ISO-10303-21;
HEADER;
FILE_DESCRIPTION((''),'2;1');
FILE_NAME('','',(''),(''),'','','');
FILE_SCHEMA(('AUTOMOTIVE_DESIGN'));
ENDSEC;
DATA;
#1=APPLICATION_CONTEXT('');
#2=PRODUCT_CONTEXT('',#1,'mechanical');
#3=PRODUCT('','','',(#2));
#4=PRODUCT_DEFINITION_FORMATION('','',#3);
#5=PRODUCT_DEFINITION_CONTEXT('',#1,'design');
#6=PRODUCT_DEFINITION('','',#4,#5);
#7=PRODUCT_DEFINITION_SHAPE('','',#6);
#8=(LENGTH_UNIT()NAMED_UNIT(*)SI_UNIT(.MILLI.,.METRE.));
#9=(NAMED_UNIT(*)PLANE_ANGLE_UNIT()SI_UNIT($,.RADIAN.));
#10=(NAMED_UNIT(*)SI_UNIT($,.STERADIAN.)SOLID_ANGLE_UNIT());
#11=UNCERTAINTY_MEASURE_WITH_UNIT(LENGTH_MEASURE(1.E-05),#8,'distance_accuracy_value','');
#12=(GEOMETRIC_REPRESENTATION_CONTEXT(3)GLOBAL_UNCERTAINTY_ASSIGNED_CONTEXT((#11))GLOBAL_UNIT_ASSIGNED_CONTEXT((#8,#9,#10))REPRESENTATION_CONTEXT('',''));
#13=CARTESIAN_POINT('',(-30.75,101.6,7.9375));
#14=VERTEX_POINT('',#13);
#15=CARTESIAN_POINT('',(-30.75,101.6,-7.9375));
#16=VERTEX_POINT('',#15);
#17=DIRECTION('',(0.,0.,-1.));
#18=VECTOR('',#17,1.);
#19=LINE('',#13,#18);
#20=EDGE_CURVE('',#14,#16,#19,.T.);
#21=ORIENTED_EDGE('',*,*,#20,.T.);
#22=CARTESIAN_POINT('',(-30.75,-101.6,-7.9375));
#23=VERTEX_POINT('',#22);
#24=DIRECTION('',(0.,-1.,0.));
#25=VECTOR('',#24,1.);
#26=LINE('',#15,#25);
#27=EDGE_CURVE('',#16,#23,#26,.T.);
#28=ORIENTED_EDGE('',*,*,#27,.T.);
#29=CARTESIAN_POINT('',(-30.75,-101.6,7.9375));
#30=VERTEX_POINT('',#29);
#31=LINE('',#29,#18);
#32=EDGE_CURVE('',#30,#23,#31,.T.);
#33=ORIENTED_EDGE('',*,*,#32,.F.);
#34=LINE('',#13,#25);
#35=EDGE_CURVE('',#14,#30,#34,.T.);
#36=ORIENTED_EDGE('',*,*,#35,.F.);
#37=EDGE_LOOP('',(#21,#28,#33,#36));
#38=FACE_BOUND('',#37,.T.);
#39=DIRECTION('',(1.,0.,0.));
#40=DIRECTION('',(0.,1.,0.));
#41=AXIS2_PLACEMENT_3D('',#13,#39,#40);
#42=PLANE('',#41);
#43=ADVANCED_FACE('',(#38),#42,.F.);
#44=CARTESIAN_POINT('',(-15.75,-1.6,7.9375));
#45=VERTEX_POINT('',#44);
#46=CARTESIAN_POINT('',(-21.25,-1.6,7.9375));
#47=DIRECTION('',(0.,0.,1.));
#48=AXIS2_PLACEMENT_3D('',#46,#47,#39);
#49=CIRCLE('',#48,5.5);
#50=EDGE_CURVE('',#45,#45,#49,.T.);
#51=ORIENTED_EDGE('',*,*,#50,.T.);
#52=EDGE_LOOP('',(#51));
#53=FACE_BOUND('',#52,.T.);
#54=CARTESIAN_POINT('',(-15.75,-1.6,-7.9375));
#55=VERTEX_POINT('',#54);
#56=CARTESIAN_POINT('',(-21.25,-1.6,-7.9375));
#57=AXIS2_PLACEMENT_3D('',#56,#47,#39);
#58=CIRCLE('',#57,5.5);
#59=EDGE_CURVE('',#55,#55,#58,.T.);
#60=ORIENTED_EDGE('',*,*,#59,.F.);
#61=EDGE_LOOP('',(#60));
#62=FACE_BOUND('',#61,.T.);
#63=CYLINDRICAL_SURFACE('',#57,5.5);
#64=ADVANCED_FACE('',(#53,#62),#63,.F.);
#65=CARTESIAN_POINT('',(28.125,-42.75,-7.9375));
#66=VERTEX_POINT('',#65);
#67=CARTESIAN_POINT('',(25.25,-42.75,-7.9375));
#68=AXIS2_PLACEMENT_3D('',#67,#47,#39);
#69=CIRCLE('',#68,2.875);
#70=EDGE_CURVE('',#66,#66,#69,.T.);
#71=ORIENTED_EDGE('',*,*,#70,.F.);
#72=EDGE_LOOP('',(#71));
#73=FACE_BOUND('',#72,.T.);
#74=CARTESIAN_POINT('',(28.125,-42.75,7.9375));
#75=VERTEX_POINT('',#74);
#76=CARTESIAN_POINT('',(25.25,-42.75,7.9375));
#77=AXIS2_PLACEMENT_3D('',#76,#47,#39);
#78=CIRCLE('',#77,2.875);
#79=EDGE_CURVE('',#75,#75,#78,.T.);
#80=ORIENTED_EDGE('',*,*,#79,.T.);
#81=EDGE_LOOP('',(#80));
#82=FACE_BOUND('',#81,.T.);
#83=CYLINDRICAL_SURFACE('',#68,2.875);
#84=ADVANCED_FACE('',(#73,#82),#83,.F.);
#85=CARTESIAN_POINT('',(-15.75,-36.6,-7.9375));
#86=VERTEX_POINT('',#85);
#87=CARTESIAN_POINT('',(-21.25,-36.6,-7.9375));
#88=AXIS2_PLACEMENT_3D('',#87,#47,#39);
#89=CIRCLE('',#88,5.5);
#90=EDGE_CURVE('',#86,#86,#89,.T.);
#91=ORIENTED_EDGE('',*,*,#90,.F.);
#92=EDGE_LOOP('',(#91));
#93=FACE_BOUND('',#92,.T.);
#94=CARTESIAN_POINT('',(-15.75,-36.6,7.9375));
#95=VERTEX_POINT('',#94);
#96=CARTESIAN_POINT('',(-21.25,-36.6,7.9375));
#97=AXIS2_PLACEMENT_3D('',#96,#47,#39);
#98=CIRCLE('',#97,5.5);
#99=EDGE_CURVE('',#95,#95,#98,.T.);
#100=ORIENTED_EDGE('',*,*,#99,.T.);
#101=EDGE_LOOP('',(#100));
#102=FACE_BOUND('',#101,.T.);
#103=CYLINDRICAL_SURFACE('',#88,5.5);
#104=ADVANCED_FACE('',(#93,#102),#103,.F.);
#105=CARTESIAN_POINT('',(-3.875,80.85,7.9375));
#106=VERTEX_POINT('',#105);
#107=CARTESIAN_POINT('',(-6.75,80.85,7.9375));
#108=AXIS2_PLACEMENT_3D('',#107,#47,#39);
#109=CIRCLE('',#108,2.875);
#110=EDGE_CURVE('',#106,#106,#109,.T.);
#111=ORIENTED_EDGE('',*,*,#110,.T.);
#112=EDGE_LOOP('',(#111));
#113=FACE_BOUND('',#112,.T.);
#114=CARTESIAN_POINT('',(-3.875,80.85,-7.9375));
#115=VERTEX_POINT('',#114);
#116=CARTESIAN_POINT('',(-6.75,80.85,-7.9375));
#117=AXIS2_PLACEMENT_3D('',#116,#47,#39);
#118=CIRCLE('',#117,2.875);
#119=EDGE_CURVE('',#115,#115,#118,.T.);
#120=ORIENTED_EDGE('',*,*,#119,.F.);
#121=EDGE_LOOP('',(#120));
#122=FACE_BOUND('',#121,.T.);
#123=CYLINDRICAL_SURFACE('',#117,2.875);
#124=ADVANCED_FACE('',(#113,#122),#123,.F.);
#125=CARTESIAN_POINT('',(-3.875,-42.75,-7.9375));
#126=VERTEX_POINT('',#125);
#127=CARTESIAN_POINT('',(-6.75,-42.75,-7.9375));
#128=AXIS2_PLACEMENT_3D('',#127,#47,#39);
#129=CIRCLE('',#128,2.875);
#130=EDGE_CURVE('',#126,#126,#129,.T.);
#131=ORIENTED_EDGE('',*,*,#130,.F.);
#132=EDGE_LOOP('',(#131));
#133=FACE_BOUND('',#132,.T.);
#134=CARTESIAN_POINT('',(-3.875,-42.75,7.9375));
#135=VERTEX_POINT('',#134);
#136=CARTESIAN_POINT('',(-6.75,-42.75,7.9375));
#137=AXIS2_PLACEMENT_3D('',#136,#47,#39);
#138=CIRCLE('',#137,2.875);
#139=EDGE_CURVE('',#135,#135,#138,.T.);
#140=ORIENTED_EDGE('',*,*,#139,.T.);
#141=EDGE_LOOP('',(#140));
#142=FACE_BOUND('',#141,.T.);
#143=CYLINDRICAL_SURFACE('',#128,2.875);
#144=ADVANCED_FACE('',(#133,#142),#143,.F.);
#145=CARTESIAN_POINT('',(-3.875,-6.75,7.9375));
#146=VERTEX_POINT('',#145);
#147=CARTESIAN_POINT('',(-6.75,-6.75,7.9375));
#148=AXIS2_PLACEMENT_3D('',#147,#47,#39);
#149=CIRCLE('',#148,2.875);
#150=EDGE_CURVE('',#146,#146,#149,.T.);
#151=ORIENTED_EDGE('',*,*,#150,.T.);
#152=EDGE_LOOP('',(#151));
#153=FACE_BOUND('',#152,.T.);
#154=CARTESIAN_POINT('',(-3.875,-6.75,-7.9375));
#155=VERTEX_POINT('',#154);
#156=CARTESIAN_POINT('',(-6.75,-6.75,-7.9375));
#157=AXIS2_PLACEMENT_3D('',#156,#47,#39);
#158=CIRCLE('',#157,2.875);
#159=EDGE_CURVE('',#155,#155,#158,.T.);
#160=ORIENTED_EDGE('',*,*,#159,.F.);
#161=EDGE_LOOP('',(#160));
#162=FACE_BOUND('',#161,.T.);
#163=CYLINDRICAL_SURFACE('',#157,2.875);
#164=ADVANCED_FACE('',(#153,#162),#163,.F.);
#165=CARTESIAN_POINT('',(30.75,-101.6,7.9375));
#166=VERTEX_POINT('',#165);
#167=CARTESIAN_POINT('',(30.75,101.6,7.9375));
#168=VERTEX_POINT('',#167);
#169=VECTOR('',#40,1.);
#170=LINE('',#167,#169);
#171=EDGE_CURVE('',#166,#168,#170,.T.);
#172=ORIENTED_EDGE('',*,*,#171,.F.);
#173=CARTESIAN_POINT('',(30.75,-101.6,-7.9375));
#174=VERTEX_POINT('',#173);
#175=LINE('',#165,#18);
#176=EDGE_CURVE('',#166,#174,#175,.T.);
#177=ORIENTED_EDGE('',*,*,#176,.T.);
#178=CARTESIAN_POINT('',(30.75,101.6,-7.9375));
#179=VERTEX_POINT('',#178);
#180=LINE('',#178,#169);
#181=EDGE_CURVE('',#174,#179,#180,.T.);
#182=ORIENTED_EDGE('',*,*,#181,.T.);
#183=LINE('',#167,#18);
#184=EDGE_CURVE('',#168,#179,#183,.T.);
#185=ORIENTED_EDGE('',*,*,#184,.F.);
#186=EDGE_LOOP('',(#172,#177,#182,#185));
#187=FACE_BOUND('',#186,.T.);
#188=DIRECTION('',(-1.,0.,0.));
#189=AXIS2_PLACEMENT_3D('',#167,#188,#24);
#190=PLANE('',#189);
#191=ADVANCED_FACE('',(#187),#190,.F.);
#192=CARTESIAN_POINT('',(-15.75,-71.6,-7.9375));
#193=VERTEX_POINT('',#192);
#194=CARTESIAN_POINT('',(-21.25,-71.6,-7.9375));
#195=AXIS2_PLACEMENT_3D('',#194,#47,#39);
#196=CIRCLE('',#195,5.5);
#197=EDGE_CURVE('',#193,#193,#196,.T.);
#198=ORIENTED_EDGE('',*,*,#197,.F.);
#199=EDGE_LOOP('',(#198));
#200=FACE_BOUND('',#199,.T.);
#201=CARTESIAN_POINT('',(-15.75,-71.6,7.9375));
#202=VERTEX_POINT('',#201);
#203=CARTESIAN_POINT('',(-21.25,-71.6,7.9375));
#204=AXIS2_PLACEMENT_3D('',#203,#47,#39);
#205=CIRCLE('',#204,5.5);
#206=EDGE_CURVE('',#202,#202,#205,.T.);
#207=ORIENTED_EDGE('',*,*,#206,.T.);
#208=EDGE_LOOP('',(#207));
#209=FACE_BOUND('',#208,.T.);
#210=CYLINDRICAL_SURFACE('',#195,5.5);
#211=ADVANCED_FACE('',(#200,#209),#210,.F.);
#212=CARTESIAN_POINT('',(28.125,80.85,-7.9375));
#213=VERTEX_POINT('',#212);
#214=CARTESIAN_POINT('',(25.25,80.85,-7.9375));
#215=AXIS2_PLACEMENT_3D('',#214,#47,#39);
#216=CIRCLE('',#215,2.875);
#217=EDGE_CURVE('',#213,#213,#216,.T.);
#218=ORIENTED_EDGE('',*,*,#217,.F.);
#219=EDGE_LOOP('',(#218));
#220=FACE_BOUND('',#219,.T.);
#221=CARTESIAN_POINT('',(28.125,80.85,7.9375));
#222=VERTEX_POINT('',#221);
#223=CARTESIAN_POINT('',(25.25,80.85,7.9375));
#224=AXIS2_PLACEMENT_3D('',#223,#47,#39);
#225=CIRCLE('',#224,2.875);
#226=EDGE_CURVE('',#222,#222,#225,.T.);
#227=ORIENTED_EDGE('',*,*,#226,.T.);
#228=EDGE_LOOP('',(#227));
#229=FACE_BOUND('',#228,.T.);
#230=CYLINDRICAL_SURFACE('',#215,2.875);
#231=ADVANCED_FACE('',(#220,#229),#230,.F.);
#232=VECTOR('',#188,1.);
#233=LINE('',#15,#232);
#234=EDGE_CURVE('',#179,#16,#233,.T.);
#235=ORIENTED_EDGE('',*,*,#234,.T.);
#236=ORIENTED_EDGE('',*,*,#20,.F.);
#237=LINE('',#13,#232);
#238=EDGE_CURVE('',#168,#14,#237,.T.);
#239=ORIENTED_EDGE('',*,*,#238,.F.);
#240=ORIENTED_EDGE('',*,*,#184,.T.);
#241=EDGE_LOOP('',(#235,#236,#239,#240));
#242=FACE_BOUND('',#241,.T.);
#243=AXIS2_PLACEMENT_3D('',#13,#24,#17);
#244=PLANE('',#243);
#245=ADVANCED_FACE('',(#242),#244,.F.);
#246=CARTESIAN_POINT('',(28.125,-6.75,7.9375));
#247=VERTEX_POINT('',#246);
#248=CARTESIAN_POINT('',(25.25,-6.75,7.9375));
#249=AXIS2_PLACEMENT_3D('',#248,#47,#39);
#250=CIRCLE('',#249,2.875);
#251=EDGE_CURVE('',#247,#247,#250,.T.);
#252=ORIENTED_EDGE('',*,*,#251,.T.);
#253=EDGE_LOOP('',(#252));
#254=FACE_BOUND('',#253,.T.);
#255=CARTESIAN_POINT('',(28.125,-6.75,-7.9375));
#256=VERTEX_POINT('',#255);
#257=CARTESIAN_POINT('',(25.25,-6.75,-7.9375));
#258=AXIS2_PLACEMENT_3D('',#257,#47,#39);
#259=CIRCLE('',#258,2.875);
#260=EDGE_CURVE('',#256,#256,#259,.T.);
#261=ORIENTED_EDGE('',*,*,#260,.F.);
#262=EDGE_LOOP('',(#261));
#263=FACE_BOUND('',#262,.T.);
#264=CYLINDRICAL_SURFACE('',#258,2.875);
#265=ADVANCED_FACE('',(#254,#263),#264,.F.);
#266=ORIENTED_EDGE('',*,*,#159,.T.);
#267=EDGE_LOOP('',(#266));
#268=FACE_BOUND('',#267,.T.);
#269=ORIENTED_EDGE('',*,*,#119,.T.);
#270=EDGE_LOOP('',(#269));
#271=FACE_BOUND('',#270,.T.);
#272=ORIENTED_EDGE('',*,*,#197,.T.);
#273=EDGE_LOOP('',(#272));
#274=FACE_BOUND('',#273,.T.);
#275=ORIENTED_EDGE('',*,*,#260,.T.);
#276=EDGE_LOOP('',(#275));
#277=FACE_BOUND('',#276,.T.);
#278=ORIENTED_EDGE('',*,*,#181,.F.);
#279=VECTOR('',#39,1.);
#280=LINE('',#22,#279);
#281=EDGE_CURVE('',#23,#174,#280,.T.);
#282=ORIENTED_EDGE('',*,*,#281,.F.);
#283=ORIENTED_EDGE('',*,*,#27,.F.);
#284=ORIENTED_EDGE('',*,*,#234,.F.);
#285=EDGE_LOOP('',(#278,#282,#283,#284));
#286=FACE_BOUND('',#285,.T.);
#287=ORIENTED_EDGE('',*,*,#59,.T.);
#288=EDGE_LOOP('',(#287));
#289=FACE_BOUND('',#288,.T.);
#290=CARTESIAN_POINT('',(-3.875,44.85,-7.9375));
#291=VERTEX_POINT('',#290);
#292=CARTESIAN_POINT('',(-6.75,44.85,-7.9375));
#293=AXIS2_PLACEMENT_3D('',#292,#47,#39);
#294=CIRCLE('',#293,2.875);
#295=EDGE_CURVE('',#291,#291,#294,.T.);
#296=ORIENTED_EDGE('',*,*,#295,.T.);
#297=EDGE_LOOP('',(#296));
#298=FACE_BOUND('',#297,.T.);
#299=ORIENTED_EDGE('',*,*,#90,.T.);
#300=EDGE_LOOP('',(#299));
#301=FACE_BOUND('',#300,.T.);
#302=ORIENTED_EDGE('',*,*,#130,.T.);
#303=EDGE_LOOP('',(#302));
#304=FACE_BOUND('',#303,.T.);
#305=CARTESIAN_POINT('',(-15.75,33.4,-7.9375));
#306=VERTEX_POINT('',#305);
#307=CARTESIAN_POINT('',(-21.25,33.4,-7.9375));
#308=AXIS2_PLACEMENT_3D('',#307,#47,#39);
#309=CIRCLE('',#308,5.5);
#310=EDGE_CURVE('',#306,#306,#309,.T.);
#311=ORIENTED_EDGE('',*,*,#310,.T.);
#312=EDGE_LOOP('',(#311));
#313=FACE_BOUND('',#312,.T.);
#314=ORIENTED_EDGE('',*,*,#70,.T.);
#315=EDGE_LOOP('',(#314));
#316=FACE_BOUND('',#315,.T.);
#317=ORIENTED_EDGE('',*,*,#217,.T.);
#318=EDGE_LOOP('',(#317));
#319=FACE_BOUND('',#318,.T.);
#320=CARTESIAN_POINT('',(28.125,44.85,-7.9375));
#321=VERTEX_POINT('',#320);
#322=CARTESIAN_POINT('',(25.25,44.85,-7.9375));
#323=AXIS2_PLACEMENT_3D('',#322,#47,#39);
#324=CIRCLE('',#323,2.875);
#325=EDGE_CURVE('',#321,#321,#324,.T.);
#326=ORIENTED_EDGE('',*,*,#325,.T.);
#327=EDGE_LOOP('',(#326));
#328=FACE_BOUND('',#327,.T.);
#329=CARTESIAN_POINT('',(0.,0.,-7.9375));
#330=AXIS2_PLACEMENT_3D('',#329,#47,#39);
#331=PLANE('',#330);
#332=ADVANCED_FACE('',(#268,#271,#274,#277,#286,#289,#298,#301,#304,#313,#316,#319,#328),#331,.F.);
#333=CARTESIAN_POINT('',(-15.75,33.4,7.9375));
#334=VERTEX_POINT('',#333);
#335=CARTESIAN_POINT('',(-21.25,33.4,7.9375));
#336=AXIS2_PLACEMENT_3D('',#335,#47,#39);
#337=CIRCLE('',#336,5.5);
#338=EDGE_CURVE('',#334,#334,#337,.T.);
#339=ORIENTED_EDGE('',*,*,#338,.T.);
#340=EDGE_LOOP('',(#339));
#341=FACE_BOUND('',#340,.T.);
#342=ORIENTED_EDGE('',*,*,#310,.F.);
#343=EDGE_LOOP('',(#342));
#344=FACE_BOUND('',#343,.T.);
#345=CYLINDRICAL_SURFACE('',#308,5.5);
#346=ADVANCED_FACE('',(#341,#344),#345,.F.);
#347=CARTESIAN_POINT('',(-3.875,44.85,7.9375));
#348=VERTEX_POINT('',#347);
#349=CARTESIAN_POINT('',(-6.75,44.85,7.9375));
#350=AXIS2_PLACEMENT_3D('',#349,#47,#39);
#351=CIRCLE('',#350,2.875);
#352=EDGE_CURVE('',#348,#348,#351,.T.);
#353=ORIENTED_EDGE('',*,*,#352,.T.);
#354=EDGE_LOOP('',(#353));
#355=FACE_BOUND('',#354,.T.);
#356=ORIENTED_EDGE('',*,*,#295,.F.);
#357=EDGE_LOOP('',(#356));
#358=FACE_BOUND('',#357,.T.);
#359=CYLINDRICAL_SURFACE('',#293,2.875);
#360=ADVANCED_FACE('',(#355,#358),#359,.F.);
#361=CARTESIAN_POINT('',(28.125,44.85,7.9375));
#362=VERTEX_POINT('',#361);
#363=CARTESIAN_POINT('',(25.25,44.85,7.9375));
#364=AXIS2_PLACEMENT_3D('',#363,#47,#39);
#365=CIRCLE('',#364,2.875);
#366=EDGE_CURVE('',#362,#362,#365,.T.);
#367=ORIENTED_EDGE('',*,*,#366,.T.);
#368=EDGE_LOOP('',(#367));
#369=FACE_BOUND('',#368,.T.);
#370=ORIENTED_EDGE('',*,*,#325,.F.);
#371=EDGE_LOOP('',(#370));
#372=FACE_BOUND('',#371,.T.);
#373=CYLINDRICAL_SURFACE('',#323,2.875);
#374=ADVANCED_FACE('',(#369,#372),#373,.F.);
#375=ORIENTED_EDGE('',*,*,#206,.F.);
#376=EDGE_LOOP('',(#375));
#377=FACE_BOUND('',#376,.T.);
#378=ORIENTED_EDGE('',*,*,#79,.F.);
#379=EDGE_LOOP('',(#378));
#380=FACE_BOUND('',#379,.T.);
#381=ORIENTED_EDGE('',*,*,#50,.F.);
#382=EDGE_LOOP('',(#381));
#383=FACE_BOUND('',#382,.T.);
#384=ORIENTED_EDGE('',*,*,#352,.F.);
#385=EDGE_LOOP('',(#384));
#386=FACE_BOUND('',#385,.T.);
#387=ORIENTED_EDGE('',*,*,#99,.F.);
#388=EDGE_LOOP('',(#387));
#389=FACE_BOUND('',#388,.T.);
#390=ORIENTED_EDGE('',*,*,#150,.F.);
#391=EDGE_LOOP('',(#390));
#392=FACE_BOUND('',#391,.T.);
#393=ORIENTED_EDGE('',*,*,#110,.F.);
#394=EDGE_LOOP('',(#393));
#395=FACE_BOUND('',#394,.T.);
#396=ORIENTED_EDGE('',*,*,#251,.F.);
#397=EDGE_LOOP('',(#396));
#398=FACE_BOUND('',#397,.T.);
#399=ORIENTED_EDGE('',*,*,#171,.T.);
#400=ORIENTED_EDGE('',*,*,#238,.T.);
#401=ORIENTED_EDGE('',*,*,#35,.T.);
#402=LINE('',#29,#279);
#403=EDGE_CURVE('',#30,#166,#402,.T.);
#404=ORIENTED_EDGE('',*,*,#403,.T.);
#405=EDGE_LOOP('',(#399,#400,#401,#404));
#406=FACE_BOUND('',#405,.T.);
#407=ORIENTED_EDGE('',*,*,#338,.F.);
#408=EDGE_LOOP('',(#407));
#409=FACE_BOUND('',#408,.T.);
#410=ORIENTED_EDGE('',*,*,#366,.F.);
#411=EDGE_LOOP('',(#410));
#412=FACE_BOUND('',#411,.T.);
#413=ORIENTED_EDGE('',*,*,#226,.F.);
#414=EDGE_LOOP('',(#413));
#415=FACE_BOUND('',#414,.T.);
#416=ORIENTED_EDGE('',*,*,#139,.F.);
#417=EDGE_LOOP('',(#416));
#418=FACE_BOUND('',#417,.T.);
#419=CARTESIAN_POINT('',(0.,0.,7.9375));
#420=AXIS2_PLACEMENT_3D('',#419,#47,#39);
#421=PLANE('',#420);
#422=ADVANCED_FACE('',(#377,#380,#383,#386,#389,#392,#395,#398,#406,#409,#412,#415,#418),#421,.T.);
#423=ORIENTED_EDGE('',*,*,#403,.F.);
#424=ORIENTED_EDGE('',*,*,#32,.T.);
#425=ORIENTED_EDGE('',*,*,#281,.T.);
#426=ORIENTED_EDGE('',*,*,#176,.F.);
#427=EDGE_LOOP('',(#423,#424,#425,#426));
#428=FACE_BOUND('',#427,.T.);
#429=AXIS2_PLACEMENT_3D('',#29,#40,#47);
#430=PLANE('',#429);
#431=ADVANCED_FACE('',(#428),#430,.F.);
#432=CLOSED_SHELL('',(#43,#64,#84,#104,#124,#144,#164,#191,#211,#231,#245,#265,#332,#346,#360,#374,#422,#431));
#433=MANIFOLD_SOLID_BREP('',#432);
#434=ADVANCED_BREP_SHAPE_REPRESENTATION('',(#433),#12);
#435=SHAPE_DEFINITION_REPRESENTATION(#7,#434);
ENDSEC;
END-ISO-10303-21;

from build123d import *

# Parameters (mm, degrees)
SKETCH1_W           = 61.5
SKETCH1_H           = 203.2
BOSS_EXTRUDE1_DEPTH = 7.9375
SKETCH2_R           = 5.5
CUT_EXTRUDE1_DEPTH  = 16.875
SKETCH3_R           = 2.875
CUT_EXTRUDE2_DEPTH  = 16.875
LPATTERN1_COUNT     = 2
LPATTERN1_PITCH     = 32


with BuildPart() as part:
    # Sketch1 → Boss-Extrude1 (new body, symmetric)
    with BuildSketch(Plane.XY):
        Rectangle(SKETCH1_W, SKETCH1_H)
    extrude(amount=BOSS_EXTRUDE1_DEPTH, both=True)

    # Sketch2 → Cut-Extrude1 (cut, through all)
    with BuildSketch(Plane.XY.offset(7.9375)):
        with Locations((-21.25, 33.4)):
            Circle(SKETCH2_R)
        with Locations((-21.25, -1.6)):
            Circle(SKETCH2_R)
        with Locations((-21.25, -36.6)):
            Circle(SKETCH2_R)
        with Locations((-21.25, -71.6)):
            Circle(SKETCH2_R)
    extrude(amount=-CUT_EXTRUDE1_DEPTH, mode=Mode.SUBTRACT)

    # Sketch3 → Cut-Extrude2 (cut, through all)
    with BuildSketch(Plane.XY.offset(7.9375)):
        with Locations((-6.75, 80.85)):
            Circle(SKETCH3_R)
        with Locations((-6.75, 44.85)):
            Circle(SKETCH3_R)
        with Locations((-6.75, -6.75)):
            Circle(SKETCH3_R)
        with Locations((-6.75, -42.75)):
            Circle(SKETCH3_R)
    cut_extrude2 = extrude(amount=-CUT_EXTRUDE2_DEPTH, mode=Mode.SUBTRACT)

    # LPattern1: Cut-Extrude2 ×2
    with Locations(*[(i * LPATTERN1_PITCH, 0, 0) for i in range(1, LPATTERN1_COUNT)]):
        add(cut_extrude2, mode=Mode.SUBTRACT)


solid = part.part
